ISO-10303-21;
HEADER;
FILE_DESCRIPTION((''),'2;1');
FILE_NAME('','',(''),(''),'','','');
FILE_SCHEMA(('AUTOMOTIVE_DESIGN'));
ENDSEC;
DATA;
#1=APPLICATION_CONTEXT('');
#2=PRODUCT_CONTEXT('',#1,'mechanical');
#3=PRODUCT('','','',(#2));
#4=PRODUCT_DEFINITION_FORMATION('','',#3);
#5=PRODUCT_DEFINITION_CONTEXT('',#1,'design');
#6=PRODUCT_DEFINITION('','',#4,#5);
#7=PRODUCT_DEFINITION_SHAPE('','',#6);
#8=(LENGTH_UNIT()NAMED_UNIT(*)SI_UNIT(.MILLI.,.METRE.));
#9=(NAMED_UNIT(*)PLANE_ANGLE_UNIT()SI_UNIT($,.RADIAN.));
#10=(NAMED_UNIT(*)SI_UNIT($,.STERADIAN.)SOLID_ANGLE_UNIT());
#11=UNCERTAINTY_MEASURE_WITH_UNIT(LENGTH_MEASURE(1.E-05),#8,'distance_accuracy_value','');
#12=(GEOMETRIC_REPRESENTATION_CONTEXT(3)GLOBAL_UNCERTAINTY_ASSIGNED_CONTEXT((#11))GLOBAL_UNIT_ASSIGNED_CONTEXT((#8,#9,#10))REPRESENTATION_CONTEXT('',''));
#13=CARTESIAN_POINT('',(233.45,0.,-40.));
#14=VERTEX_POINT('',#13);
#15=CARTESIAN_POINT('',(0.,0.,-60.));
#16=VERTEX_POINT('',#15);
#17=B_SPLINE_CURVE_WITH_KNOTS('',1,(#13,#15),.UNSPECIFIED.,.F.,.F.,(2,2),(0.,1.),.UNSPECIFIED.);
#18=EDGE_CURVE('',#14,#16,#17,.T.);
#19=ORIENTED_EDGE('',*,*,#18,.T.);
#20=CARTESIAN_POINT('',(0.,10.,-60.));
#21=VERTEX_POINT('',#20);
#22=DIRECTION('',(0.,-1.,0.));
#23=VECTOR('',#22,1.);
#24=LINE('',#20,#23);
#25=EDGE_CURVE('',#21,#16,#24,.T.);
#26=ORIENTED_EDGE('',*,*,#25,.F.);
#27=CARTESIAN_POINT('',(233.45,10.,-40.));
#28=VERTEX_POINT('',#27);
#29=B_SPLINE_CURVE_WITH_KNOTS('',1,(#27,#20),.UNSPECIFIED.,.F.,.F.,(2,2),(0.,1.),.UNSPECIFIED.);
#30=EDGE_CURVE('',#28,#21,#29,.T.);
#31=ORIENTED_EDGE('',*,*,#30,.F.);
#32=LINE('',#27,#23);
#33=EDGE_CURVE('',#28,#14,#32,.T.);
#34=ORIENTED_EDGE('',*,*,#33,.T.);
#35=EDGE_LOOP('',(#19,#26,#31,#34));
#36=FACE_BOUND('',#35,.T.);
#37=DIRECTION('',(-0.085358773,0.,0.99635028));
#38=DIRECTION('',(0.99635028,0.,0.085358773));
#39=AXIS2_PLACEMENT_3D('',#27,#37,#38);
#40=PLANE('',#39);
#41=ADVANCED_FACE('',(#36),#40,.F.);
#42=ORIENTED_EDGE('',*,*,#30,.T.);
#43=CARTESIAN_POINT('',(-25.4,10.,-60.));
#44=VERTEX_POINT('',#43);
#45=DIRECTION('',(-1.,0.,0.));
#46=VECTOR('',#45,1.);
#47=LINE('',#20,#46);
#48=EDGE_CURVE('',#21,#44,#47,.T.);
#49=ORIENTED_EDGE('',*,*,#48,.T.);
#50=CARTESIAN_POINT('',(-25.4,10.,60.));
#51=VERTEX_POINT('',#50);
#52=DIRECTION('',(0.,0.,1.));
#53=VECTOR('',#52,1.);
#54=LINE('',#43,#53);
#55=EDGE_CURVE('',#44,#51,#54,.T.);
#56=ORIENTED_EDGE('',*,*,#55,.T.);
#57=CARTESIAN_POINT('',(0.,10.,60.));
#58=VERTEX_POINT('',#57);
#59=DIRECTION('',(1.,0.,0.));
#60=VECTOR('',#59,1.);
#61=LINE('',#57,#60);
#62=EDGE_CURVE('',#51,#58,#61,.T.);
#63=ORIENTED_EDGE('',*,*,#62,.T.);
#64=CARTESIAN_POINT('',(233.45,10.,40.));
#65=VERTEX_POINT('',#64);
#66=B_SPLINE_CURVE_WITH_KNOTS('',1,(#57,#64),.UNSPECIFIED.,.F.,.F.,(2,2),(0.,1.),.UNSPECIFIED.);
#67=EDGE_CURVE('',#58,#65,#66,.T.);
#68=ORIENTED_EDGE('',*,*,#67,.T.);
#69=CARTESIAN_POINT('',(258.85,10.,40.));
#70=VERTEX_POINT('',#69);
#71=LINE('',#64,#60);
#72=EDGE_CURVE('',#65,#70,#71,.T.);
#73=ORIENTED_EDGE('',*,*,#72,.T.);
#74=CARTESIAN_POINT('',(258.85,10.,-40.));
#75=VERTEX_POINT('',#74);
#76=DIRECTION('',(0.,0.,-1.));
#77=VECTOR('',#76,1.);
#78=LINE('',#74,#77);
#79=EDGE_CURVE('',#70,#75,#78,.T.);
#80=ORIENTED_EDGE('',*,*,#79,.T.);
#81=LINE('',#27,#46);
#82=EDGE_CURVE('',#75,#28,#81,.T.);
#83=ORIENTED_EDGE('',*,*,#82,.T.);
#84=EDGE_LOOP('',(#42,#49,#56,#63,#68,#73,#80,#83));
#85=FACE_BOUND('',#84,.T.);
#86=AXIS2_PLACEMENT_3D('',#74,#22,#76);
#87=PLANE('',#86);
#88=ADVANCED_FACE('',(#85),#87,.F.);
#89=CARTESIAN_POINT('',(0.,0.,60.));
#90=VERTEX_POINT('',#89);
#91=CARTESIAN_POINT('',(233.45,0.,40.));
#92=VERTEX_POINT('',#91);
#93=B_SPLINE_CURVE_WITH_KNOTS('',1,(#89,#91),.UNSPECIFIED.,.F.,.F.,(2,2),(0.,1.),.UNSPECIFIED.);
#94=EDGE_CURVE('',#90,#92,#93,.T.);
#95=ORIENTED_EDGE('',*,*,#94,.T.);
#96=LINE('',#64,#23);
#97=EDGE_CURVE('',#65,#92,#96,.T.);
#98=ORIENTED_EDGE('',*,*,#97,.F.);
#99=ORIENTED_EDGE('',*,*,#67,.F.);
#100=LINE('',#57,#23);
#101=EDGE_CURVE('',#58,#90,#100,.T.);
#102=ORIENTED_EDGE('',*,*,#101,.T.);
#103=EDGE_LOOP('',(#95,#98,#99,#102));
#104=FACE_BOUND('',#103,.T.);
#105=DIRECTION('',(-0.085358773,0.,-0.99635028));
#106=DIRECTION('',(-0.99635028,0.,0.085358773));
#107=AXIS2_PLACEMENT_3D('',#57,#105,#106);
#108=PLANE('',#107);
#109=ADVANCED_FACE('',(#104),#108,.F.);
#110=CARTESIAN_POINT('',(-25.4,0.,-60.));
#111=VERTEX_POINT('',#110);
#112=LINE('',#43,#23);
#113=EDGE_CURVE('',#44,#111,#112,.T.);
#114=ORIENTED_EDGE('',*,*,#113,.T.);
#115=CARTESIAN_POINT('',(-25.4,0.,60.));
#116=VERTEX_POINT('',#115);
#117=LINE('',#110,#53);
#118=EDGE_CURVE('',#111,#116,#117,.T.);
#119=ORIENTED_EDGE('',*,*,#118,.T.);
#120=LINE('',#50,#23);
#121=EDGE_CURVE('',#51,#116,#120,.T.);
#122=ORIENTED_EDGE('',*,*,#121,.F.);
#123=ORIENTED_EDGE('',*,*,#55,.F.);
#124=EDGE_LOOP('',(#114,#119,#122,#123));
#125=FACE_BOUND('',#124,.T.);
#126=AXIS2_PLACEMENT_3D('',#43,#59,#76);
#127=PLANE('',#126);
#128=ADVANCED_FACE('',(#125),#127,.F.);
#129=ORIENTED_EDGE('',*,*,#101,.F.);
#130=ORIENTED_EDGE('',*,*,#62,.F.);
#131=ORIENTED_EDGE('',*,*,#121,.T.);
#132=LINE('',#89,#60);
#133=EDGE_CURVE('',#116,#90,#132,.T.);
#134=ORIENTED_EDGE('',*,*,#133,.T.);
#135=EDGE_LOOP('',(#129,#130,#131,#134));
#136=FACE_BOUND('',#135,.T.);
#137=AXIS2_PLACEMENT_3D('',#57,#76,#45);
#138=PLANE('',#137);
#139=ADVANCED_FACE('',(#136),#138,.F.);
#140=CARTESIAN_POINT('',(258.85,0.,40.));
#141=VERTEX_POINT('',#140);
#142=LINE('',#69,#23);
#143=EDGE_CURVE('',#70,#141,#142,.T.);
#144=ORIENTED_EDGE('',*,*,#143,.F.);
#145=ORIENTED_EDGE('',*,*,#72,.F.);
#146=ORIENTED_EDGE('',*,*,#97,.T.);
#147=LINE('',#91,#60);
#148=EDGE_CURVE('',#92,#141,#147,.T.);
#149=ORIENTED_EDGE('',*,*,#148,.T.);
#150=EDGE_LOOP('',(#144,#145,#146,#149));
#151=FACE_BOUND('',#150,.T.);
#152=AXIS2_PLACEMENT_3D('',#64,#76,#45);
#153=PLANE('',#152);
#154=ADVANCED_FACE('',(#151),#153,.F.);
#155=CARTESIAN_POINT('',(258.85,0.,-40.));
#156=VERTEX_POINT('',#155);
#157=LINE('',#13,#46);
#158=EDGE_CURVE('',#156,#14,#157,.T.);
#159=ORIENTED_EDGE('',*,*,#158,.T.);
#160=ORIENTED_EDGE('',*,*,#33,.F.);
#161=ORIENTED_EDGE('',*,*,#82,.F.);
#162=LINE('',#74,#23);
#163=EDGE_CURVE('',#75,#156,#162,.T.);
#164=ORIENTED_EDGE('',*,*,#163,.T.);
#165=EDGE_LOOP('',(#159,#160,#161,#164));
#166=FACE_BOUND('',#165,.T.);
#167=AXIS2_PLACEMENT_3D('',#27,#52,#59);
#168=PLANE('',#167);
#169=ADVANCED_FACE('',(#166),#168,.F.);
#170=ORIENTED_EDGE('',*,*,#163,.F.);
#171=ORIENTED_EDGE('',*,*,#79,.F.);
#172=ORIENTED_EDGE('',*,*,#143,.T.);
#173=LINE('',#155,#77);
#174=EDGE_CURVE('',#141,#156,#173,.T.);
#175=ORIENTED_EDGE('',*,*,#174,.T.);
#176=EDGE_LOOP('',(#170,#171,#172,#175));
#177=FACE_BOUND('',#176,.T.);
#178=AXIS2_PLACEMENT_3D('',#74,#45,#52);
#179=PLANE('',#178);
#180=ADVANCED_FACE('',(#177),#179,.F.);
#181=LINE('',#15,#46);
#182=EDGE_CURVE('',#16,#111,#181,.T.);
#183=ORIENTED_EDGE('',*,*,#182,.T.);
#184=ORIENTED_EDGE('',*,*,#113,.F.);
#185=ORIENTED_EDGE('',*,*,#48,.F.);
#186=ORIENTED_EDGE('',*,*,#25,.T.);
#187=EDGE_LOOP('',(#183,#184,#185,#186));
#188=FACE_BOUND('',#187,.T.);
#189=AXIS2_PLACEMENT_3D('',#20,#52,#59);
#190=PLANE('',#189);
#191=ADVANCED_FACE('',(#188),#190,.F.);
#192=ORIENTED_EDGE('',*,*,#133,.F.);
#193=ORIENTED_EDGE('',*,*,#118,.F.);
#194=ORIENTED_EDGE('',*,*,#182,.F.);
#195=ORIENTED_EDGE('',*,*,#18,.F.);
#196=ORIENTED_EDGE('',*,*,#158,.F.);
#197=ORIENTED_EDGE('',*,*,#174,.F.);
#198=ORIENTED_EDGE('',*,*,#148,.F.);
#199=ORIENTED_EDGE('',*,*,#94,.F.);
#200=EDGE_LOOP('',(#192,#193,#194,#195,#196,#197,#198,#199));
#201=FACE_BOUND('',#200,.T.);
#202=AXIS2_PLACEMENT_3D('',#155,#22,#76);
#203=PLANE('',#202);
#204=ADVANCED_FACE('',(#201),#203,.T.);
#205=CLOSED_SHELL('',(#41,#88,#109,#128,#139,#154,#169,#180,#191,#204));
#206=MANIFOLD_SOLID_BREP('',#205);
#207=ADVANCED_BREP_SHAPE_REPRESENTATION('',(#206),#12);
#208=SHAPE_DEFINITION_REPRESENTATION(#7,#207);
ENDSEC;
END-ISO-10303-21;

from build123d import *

# Parameters (mm, degrees)
BOSS_EXTRUDE1_DEPTH = 10


with BuildPart() as part:
    # Sketch1 → Boss-Extrude1 (new body)
    with BuildSketch(Plane(origin=(0, 0, 0), x_dir=(1, 0, 0), z_dir=(0, 1, 0))):
        Polygon((233.45, 40), (258.85, 40), (258.85, -40), (233.45, -40), (0, -60), (-25.4, -60), (-25.4, 60), (0, 60), align=None)
    extrude(amount=BOSS_EXTRUDE1_DEPTH)


solid = part.part
